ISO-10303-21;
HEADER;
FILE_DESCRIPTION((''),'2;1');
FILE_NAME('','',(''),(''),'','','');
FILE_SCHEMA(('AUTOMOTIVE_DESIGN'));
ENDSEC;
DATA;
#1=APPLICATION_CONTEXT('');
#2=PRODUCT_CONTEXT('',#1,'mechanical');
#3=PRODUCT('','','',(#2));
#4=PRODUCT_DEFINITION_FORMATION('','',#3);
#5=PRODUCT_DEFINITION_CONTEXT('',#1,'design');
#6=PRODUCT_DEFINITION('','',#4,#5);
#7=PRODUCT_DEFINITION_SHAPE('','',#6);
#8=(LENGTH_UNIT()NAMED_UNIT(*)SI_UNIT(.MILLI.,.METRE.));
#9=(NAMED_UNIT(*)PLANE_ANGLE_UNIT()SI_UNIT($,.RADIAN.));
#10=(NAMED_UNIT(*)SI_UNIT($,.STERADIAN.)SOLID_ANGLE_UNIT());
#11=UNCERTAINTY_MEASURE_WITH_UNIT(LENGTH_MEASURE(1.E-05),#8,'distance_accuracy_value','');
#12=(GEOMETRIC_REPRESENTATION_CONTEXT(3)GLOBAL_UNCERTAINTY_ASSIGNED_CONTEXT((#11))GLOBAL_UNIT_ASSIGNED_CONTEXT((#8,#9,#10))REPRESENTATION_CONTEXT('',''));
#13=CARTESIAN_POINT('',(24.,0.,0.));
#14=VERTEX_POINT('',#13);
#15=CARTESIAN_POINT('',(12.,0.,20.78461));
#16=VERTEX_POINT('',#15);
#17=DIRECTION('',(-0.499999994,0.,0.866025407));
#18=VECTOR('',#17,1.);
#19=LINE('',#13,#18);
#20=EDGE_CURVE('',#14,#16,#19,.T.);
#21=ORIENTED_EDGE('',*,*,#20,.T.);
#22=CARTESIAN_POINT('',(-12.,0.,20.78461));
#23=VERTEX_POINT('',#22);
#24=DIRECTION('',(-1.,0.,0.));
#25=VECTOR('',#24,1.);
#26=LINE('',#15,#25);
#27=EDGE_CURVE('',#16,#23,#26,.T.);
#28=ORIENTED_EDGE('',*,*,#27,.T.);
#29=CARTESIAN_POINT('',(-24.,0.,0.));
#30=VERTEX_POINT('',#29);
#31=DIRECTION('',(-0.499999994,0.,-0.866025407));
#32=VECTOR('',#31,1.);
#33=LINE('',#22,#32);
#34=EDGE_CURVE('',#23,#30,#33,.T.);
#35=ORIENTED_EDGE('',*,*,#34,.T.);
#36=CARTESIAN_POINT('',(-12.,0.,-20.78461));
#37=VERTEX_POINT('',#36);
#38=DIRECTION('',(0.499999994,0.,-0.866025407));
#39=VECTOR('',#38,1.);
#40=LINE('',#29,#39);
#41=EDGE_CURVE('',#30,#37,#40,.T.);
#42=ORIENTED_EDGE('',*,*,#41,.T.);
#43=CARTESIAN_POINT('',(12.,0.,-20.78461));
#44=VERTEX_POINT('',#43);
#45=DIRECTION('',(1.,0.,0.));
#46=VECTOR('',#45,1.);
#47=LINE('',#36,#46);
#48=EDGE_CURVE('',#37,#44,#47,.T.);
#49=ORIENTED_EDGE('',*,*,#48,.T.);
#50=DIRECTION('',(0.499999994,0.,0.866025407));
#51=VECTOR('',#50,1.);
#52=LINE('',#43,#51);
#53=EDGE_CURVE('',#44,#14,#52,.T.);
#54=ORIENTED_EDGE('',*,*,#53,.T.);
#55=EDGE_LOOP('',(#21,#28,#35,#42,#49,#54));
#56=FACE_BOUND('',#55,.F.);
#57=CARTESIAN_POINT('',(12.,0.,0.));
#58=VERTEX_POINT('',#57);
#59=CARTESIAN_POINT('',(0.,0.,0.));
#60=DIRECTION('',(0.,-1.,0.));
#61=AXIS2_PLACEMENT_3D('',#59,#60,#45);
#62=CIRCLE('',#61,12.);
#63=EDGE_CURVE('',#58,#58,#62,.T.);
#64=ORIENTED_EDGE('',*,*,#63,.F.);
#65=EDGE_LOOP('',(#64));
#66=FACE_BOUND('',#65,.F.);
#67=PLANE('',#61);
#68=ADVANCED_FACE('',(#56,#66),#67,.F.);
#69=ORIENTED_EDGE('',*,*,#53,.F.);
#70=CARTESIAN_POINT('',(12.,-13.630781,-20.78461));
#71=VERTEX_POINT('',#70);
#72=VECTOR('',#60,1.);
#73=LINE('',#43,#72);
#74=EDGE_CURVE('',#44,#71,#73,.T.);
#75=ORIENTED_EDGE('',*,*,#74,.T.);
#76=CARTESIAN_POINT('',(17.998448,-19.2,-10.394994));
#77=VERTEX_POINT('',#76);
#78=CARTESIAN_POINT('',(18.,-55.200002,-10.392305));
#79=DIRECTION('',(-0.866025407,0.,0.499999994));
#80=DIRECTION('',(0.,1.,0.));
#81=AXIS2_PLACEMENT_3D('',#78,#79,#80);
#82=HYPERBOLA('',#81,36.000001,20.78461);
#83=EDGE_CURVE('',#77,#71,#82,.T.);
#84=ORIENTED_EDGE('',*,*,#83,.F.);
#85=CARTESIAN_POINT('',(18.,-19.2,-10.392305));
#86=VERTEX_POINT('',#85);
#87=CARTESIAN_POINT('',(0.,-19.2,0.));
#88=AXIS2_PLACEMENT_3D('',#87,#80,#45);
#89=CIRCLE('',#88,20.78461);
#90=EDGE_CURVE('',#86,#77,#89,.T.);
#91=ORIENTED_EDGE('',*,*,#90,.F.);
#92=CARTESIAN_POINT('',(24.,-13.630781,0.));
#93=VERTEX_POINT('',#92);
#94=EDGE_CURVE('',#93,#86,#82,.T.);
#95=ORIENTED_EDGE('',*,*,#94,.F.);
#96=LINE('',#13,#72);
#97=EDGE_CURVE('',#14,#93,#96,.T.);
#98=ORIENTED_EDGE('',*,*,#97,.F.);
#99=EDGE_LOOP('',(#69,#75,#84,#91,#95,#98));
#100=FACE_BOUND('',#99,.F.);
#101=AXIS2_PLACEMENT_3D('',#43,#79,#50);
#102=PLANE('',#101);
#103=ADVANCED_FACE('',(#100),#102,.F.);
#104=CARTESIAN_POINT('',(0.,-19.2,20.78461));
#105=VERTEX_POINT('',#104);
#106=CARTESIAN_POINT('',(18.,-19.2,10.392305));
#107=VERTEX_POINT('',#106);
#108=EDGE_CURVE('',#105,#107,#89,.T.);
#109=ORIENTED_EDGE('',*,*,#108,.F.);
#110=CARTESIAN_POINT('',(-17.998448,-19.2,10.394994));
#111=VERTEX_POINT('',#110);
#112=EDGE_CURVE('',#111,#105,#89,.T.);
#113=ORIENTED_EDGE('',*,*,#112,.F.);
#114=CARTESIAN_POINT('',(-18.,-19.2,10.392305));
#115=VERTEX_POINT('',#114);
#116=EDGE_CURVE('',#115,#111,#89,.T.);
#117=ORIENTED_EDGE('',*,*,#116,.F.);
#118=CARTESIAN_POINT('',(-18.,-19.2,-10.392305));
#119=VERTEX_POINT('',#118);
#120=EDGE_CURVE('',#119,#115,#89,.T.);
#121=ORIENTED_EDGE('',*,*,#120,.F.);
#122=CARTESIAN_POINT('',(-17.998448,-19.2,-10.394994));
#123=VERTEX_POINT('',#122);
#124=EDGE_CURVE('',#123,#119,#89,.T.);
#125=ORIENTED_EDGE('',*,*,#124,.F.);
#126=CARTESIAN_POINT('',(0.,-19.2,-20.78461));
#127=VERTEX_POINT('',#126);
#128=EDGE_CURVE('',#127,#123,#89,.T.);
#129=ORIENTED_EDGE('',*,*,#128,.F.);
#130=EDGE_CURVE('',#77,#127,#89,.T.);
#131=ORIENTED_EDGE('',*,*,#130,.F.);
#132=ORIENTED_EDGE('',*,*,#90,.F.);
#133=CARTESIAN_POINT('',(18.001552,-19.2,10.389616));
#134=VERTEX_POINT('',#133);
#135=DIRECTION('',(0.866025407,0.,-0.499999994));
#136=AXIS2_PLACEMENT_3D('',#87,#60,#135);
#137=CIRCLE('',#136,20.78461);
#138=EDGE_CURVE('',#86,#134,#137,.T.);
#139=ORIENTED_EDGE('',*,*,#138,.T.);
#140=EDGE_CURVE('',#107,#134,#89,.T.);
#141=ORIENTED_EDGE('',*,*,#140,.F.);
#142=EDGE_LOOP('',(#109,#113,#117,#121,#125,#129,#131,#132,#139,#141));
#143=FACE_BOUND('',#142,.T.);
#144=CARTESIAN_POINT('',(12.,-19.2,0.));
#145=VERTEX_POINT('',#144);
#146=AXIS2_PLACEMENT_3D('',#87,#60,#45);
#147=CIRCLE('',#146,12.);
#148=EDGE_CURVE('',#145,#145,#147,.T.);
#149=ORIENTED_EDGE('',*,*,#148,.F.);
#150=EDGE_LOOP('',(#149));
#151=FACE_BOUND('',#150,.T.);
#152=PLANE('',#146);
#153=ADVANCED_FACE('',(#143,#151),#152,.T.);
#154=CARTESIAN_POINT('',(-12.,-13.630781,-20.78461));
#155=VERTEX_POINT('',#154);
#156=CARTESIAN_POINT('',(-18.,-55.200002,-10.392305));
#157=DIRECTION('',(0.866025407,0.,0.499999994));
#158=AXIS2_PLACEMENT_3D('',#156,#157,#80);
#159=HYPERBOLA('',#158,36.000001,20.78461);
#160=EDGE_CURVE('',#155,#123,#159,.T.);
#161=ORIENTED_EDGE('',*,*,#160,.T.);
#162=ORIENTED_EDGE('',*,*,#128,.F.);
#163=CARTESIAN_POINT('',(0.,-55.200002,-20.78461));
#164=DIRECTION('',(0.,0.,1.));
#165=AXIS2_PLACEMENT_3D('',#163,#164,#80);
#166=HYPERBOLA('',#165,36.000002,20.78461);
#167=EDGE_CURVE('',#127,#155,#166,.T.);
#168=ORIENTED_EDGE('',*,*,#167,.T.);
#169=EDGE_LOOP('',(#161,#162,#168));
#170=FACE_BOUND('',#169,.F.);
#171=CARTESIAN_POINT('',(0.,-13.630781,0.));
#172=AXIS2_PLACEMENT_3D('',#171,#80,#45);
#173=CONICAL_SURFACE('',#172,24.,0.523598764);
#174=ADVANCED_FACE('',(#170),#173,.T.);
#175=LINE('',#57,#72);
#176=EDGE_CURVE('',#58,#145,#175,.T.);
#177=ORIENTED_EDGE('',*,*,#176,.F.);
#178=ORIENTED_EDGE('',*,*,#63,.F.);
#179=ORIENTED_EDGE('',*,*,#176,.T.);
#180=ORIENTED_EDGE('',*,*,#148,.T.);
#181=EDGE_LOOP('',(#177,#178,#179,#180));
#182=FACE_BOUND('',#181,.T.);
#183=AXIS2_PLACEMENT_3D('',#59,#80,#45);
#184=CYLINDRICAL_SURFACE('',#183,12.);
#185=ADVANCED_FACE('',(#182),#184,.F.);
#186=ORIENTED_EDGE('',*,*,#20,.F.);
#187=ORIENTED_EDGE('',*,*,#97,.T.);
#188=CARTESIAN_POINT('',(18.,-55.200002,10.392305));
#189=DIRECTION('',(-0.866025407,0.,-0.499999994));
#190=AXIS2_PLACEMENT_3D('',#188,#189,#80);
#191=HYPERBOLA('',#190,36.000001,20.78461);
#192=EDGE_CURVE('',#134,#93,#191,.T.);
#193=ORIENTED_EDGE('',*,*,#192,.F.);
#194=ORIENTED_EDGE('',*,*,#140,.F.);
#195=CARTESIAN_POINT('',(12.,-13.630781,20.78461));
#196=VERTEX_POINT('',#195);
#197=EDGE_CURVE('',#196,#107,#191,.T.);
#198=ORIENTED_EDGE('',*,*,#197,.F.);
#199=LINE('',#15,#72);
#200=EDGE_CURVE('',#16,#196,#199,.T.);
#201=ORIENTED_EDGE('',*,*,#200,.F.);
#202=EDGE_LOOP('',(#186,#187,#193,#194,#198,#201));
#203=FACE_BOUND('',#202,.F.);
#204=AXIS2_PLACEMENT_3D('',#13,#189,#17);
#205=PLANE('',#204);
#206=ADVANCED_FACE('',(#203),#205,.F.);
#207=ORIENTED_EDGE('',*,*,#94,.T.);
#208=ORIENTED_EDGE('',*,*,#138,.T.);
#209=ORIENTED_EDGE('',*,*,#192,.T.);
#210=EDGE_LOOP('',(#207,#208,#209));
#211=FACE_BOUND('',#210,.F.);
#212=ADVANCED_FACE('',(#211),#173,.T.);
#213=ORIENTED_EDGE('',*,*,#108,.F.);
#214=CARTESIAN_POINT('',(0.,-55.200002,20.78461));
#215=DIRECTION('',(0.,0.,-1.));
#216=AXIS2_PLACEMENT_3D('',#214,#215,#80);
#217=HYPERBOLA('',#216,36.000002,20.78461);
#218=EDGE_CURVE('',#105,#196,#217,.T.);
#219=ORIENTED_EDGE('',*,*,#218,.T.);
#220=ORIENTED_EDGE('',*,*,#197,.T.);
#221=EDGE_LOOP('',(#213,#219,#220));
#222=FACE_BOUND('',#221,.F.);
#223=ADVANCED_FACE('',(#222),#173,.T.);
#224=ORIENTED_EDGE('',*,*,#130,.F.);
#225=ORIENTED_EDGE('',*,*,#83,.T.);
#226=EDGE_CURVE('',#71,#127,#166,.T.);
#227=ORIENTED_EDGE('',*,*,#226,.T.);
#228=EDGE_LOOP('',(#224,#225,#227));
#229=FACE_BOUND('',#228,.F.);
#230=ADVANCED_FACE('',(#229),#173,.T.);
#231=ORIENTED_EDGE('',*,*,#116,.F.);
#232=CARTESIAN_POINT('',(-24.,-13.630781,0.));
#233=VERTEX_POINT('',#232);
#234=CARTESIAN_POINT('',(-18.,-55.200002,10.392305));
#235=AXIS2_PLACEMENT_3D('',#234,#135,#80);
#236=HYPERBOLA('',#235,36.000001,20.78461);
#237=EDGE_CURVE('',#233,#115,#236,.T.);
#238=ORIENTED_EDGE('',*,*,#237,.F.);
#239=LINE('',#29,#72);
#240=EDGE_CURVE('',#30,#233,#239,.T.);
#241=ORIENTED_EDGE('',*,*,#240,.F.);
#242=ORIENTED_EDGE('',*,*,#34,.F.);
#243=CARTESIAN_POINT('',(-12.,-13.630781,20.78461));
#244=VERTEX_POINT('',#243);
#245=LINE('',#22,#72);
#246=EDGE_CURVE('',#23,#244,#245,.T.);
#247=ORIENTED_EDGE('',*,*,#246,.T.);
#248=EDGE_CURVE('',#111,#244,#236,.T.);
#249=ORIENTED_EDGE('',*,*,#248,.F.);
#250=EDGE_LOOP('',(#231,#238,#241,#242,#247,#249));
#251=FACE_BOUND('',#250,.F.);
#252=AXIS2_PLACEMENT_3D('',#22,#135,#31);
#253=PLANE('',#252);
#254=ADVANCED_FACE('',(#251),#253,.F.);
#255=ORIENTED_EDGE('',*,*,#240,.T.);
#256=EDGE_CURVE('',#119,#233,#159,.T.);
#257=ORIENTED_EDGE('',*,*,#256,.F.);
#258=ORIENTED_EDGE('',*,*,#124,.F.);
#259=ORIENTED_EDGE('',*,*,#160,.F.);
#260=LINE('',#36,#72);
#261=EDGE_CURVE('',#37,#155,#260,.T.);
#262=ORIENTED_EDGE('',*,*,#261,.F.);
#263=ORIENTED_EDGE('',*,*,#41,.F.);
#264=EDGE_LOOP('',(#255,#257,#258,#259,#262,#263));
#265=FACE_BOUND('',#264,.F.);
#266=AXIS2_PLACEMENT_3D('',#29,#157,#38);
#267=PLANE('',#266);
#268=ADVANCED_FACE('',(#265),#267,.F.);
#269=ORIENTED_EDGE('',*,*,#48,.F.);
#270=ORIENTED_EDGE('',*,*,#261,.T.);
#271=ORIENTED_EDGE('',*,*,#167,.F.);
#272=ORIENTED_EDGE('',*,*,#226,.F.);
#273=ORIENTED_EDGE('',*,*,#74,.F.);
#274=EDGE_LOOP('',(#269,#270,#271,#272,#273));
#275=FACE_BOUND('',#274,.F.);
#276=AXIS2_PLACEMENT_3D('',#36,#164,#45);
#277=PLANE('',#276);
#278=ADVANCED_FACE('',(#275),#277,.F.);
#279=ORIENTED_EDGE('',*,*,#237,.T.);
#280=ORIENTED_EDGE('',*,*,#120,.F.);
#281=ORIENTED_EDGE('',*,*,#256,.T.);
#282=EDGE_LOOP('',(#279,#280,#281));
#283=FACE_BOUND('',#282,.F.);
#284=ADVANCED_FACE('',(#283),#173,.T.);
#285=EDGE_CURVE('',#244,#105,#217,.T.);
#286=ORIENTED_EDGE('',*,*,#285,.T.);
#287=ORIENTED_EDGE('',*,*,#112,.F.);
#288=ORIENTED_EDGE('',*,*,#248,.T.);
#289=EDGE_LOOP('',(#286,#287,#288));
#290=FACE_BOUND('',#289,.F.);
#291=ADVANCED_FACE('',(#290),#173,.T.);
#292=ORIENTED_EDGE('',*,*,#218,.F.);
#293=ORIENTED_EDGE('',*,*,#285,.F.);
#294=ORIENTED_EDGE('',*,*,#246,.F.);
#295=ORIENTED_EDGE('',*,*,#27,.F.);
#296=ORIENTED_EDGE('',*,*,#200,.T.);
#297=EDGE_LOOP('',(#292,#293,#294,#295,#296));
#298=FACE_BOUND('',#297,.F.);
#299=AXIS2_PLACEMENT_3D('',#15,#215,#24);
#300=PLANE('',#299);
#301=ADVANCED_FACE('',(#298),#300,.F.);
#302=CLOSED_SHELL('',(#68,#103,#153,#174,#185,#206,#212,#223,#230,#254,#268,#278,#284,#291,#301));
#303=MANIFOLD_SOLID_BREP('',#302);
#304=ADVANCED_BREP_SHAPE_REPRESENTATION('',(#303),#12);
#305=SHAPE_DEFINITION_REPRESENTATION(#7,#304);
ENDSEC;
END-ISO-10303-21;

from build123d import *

# Parameters (mm, degrees)
F0_R     = 12
F1_DEPTH = 19.2


with BuildPart() as f1:
    # F0 (on Front) → F1 (new body)
    with BuildSketch(Plane.XZ):
        Polygon((12, 20.78461), (-12, 20.78461), (-24, 0), (-12, -20.78461), (12, -20.78461), (24, 0), align=None)
        Circle(F0_R, mode=Mode.SUBTRACT)
    extrude(amount=F1_DEPTH)

    # F3 (on Top) → F4 (revolve, cut)
    with BuildSketch(Plane.XY):
        Polygon((24, -13.630781), (20.78461, -19.2), (24, -19.2), align=None)
    revolve(axis=Axis((0, -13.686204, 0), (0, 1, 0)), mode=Mode.SUBTRACT)


solid = f1.part
